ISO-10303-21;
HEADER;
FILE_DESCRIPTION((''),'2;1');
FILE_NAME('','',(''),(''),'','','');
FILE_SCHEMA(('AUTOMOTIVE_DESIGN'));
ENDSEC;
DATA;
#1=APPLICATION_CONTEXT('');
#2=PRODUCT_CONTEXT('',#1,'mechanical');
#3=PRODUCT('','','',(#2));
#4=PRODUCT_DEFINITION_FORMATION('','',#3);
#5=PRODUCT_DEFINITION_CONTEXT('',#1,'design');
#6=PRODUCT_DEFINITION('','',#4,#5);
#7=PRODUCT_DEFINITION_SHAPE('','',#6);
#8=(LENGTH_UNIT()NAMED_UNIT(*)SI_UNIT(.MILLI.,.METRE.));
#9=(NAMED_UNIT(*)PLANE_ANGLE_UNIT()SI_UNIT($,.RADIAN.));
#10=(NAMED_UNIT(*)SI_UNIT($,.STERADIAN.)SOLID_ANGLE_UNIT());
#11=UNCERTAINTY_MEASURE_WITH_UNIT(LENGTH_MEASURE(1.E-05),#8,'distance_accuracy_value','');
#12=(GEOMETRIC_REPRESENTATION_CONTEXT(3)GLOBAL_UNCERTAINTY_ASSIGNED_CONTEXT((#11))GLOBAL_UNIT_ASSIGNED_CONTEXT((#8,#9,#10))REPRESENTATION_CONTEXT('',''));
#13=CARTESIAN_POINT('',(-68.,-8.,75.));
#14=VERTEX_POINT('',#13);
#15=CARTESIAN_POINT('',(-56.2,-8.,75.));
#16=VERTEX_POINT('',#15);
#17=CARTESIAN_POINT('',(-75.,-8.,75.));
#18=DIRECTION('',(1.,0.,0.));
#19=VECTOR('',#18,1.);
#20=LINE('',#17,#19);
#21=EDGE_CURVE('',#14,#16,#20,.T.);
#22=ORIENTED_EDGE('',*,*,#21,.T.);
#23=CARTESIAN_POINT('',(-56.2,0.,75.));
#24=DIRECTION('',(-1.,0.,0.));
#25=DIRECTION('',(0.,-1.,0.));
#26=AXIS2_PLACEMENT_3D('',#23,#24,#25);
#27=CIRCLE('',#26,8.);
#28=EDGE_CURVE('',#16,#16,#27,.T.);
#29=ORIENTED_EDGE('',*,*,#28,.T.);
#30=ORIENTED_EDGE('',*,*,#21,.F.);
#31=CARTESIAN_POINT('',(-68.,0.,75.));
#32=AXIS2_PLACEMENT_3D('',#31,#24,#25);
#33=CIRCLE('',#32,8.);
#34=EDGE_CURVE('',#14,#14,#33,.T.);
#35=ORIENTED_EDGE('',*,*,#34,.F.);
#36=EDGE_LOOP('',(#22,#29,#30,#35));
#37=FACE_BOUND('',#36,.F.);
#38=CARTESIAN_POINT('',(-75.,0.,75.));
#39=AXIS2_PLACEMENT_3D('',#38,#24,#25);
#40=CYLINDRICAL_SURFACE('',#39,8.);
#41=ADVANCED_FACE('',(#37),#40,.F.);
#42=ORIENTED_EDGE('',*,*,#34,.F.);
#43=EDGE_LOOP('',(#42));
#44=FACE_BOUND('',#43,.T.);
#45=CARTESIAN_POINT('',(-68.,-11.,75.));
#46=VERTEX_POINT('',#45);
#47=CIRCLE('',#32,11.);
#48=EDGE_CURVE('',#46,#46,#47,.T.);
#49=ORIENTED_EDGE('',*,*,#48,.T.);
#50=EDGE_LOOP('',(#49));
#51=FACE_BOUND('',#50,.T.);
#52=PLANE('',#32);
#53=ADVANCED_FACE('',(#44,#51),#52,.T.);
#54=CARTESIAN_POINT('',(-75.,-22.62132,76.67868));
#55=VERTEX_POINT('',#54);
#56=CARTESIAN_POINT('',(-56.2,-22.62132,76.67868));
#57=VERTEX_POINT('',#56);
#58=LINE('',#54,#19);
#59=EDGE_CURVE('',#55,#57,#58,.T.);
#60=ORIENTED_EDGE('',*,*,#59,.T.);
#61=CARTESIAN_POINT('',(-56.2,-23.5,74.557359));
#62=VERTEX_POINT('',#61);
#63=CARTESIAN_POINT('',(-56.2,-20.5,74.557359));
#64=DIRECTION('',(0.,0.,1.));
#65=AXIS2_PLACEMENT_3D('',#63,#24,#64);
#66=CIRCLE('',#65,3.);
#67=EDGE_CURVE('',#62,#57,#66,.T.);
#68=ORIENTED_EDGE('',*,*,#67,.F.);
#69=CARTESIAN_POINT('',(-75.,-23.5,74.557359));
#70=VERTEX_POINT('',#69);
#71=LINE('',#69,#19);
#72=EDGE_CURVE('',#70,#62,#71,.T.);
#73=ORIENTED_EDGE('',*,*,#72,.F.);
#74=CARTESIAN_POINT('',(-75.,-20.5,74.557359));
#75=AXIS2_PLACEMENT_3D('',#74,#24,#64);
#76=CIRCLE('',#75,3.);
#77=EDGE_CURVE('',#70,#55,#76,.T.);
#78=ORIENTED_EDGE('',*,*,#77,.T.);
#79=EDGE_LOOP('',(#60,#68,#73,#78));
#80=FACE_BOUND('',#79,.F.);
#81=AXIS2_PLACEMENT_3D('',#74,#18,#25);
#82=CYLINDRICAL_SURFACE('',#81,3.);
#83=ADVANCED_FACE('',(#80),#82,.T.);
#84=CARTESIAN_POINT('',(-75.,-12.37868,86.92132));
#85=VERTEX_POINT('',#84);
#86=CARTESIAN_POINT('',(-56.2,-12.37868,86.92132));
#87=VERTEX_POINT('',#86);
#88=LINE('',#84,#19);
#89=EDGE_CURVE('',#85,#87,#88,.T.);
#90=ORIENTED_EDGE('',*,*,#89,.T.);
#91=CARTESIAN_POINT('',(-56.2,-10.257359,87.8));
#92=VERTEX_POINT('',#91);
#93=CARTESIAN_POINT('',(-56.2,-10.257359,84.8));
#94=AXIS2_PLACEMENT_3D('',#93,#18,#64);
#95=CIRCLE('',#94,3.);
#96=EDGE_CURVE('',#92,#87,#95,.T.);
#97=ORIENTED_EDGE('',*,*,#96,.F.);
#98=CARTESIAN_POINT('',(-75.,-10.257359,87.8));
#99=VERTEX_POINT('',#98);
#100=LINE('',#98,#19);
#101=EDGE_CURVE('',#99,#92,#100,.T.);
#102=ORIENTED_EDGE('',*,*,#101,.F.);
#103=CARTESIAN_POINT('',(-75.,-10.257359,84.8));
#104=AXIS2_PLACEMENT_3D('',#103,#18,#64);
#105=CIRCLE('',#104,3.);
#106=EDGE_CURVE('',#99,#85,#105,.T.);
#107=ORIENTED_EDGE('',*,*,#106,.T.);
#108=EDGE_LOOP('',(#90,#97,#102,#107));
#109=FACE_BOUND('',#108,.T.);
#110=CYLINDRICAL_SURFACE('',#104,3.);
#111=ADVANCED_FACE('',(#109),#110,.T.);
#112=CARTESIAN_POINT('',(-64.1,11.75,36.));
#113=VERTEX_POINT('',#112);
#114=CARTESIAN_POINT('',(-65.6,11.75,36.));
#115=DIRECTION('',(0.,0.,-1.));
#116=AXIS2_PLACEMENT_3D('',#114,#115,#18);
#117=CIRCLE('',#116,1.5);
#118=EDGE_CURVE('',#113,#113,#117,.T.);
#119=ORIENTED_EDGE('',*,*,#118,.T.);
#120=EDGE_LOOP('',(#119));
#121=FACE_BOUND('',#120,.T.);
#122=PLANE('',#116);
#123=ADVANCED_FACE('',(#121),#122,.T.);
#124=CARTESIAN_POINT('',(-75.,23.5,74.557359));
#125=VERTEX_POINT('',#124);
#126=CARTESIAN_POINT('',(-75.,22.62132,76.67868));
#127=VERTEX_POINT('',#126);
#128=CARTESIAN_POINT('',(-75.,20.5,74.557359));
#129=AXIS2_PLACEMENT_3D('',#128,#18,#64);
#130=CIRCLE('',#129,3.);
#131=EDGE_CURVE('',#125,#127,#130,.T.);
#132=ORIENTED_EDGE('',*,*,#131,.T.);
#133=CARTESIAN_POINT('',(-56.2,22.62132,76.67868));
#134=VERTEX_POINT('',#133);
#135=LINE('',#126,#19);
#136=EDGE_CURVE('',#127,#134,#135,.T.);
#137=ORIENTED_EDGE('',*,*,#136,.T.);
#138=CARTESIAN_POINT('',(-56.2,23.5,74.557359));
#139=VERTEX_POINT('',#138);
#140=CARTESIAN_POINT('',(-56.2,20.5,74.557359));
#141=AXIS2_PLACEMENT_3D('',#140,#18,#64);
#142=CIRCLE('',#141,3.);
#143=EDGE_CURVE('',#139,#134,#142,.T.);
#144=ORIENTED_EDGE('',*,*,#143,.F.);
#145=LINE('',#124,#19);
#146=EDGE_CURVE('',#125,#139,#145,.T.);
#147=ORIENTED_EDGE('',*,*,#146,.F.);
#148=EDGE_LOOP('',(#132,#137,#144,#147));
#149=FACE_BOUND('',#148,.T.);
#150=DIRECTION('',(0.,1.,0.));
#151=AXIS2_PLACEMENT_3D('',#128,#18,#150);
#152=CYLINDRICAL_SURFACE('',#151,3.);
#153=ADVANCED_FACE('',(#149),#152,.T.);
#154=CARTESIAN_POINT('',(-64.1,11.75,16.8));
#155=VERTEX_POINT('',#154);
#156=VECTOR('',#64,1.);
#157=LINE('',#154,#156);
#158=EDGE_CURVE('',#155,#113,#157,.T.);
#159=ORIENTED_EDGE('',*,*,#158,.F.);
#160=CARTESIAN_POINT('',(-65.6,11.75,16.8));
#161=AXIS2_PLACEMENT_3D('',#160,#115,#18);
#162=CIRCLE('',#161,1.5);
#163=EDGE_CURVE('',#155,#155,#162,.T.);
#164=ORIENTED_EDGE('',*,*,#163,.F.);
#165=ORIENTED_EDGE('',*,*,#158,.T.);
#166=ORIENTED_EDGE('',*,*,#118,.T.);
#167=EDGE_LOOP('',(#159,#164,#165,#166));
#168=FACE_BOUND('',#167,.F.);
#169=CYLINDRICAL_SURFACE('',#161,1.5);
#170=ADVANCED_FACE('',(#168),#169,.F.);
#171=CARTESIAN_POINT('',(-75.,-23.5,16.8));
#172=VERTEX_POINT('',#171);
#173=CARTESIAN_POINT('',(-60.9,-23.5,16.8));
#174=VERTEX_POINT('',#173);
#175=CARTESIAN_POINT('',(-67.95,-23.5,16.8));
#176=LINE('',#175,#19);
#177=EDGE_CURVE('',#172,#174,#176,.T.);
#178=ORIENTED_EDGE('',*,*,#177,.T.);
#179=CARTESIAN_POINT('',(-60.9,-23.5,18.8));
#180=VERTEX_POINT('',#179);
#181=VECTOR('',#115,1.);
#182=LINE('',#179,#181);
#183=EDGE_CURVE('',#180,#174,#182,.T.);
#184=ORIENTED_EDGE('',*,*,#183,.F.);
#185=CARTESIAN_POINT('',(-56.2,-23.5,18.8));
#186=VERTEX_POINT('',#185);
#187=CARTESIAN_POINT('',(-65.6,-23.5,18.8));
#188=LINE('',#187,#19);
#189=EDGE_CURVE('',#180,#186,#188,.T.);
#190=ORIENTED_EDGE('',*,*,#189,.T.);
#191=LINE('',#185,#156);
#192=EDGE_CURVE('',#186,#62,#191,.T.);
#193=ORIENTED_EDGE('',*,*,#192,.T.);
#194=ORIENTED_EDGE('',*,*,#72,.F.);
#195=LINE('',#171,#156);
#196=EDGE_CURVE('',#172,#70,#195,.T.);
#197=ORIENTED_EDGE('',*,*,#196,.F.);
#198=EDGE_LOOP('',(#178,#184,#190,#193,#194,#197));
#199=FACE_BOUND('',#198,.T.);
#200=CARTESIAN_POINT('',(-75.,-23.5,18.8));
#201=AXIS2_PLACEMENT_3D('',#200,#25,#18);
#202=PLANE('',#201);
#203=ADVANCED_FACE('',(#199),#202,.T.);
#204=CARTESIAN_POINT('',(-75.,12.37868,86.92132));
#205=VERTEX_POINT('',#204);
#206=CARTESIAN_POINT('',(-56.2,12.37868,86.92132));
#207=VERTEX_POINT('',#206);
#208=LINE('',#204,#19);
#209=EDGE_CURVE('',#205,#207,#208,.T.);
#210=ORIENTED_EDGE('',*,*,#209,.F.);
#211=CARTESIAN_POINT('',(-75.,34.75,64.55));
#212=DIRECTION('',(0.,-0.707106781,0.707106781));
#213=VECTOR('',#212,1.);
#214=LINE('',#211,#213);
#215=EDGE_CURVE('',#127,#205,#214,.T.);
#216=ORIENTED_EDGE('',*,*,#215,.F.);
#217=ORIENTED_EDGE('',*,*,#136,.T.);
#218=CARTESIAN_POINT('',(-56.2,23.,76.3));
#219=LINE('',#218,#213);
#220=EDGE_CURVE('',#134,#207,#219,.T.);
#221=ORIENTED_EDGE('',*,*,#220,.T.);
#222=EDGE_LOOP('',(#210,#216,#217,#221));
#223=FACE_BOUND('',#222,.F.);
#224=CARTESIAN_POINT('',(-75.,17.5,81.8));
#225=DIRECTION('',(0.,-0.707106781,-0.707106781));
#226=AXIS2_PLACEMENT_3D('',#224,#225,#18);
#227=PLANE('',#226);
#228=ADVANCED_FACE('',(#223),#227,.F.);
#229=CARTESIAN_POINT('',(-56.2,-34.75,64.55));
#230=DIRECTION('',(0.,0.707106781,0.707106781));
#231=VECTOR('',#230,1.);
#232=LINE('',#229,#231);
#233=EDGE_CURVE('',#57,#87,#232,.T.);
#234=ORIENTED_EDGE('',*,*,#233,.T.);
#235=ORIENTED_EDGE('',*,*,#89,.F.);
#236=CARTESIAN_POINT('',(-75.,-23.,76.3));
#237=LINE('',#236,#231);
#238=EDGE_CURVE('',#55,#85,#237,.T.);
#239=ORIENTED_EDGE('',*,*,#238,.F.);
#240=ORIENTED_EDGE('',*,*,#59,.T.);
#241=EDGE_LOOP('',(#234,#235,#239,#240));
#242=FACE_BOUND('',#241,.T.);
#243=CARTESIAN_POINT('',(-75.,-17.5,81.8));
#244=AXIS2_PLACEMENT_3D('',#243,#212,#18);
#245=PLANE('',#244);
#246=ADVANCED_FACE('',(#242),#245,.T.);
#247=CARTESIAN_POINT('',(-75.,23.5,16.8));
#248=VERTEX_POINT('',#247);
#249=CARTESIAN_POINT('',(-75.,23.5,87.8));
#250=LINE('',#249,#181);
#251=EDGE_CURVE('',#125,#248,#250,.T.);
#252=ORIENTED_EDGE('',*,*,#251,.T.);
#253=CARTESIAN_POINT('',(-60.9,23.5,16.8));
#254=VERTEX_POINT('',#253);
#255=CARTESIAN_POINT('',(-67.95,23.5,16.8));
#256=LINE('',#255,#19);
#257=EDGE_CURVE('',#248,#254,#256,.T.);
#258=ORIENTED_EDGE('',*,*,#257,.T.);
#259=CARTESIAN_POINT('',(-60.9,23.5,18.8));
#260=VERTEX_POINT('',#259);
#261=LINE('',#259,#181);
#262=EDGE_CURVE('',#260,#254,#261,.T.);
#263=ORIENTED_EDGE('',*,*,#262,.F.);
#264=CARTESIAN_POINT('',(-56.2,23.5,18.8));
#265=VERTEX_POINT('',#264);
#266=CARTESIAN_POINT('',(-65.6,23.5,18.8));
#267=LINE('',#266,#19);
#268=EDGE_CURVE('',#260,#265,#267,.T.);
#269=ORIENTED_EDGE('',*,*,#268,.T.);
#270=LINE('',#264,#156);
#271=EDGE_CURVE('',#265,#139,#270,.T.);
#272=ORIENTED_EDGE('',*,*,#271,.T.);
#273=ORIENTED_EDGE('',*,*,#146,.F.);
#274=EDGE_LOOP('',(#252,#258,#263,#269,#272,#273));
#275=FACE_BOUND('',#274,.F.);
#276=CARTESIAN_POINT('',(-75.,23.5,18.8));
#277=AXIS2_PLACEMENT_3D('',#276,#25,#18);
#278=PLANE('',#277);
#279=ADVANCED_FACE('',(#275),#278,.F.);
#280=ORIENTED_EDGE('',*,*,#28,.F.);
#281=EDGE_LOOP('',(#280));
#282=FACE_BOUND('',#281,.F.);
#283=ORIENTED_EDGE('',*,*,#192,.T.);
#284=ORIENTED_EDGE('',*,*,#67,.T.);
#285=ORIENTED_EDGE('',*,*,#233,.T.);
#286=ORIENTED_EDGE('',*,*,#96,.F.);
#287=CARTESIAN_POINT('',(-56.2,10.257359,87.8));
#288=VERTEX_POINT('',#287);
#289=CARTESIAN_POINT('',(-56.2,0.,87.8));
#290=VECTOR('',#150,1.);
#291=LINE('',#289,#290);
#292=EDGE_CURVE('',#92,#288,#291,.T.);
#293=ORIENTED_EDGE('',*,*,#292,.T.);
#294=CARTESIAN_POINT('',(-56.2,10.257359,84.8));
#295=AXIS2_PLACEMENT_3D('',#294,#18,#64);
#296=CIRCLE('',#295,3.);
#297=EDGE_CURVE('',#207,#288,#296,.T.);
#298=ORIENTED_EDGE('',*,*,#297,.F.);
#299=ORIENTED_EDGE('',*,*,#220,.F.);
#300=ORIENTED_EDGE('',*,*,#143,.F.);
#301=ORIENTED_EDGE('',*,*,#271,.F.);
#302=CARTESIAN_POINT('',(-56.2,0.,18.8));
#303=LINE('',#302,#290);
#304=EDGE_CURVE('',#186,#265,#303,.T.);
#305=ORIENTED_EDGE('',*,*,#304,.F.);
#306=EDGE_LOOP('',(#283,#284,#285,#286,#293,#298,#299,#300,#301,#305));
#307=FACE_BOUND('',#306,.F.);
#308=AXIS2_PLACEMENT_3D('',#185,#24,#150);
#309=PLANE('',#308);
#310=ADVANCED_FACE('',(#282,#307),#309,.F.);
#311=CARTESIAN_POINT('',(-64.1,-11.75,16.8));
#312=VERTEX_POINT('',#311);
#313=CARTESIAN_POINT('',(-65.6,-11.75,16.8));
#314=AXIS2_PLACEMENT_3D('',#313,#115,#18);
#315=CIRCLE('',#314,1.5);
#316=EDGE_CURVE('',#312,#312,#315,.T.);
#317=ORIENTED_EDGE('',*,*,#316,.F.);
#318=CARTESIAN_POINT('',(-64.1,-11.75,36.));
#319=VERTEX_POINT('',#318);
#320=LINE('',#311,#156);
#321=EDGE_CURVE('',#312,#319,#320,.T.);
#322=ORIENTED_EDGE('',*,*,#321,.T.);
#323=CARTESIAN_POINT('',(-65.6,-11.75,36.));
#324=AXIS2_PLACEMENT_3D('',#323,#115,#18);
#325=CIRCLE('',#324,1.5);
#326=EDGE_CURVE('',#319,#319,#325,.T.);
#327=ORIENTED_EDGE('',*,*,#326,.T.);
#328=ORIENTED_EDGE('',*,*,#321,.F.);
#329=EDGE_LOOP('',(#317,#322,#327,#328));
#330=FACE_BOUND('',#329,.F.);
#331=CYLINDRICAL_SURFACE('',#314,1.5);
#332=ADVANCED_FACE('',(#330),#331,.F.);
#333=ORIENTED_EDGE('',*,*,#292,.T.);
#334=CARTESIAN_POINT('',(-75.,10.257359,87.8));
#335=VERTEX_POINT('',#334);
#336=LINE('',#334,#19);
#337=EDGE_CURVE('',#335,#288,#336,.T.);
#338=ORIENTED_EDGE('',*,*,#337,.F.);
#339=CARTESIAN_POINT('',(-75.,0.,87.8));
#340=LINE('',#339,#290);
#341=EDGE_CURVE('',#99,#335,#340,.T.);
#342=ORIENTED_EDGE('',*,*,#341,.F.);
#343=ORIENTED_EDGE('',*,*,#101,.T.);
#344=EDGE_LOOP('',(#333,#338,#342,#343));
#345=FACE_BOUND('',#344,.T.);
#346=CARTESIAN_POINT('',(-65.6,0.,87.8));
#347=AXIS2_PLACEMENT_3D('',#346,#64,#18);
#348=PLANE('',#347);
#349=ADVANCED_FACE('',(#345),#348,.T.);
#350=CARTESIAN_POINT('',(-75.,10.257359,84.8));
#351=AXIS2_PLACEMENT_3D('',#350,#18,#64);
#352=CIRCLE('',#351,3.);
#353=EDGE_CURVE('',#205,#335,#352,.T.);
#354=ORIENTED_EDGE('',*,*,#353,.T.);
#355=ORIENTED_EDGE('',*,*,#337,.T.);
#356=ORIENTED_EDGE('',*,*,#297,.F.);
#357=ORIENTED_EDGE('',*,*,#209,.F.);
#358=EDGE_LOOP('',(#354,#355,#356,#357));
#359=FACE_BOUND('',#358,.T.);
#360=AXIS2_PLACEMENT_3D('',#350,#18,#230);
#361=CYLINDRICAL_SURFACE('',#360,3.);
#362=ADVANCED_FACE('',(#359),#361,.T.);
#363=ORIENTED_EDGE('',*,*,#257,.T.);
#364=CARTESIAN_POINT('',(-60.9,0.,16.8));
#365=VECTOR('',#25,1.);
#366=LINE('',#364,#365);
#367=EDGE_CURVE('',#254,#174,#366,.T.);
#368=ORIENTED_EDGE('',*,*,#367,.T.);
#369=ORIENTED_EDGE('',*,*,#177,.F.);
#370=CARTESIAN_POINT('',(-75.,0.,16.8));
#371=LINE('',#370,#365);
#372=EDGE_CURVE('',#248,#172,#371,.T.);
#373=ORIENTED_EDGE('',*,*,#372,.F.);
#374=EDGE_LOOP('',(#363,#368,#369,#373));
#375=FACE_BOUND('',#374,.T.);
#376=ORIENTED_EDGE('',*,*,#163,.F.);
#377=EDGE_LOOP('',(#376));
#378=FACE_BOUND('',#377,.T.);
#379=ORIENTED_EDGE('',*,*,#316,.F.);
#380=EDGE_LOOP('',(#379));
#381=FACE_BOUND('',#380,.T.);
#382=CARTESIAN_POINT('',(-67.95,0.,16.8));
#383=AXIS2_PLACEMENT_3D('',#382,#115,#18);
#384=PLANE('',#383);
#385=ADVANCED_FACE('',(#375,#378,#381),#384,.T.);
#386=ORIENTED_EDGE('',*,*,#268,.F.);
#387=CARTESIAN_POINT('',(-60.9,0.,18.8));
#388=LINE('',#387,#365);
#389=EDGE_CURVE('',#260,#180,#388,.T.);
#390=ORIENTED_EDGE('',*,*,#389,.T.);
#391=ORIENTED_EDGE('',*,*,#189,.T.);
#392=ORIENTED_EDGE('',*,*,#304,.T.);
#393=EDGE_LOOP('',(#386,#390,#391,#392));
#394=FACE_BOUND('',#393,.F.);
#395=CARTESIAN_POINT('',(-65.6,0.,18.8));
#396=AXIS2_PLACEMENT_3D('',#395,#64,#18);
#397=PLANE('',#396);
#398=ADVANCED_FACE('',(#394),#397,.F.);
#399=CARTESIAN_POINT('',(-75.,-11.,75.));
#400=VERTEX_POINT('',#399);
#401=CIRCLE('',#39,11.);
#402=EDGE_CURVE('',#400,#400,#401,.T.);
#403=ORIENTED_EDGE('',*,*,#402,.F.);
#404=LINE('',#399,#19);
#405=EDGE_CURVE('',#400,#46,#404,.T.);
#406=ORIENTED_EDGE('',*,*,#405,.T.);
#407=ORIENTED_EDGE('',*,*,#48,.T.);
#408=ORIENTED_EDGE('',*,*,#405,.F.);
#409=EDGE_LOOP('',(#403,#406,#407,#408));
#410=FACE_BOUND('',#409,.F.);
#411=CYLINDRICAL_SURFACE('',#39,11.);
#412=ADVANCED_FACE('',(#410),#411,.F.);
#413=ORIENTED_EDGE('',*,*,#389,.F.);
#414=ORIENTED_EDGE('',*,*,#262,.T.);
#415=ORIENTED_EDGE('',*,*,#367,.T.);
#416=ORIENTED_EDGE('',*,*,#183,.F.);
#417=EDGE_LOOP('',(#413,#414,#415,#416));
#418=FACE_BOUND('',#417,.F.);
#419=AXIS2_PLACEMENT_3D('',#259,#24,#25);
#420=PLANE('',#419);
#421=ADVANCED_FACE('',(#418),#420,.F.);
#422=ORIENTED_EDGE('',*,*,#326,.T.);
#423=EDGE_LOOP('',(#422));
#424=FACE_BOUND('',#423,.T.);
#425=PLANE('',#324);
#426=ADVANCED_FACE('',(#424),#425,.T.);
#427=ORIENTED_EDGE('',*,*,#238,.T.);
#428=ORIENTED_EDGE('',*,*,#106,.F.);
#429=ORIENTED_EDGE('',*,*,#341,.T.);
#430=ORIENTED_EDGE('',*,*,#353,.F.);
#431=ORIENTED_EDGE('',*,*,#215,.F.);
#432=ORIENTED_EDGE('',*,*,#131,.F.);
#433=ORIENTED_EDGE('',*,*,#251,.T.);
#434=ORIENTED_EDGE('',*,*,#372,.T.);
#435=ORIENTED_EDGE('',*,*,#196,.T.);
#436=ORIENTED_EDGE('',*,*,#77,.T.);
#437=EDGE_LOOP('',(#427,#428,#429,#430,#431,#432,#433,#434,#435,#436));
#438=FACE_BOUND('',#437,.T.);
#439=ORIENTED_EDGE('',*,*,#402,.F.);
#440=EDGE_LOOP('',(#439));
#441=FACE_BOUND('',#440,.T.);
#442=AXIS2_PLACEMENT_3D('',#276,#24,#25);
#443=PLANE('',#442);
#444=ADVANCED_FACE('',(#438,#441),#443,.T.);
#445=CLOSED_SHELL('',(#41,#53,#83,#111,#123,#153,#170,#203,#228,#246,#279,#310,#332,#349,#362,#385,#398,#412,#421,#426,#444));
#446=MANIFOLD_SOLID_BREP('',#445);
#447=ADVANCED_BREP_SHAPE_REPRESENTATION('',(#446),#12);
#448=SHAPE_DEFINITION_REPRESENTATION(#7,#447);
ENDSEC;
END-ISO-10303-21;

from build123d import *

# Parameters (mm, degrees)
SKETCH012_W     = 18.8
SKETCH012_H     = 47
PAD008_DEPTH    = 69
SKETCH036_W     = 14.1
SKETCH036_H     = 47
PAD016_DEPTH    = 2
SKETCH054_R     = 8
POCKET021_DEPTH = 18.801
SKETCH055_R     = 11
POCKET022_DEPTH = 7
CHAMFER001_SIZE = 12
SKETCH073_R     = 1.5
POCKET028_DEPTH = 19.2
FILLET003_R     = 3


with BuildPart() as part:
    # Sketch012 (on Face1 of ReferencePad001) → Pad008 (new body)
    with BuildSketch(Plane.XY.offset(18.8)):
        with Locations((-65.6, 0)):
            Rectangle(SKETCH012_W, SKETCH012_H)
    extrude(amount=PAD008_DEPTH)

    # Sketch036 (on Face5 of Pad008) → Pad016 (join)
    with BuildSketch(Plane(origin=(0, 0, 18.8), x_dir=(1, 0, 0), z_dir=(0, 0, -1))):
        with Locations((-67.95, 0)):
            Rectangle(SKETCH036_W, SKETCH036_H)
    extrude(amount=PAD016_DEPTH)

    # Sketch054 (on Face5 of Pad016) → Pocket021 (cut, through all)
    with BuildSketch(Plane(origin=(-75, 0, 18.8), x_dir=(0, -1, 0), z_dir=(-1, 0, 0))):
        with Locations((0, 56.2)):
            Circle(SKETCH054_R)
    extrude(amount=-POCKET021_DEPTH, mode=Mode.SUBTRACT)

    # Sketch055 (on Face5 of Pocket021) → Pocket022 (cut)
    with BuildSketch(Plane(origin=(-75, 0, 18.8), x_dir=(0, -1, 0), z_dir=(-1, 0, 0))):
        with Locations((0, 56.2)):
            Circle(SKETCH055_R)
    extrude(amount=-POCKET022_DEPTH, mode=Mode.SUBTRACT)

    # Chamfer001
    chamfer001_edges = [part.edges().sort_by_distance(p)[0] for p in [
        (-65.6, -23.5, 87.8),
        (-65.6, 23.5, 87.8),
    ]]
    chamfer(chamfer001_edges, length=CHAMFER001_SIZE)

    # Sketch073 (on Face16 of Chamfer001) → Pocket028 (cut)
    with BuildSketch(Plane(origin=(0, 0, 16.8), x_dir=(1, 0, 0), z_dir=(0, 0, -1))):
        with Locations((-65.6, 11.75)):
            Circle(SKETCH073_R)
        with Locations((-65.6, -11.75)):
            Circle(SKETCH073_R)
    extrude(amount=-POCKET028_DEPTH, mode=Mode.SUBTRACT)

    # Fillet003
    fillet003_edges = [part.edges().sort_by_distance(p)[0] for p in [
        (-65.6, 23.5, 75.8),
        (-65.6, 11.5, 87.8),
        (-65.6, -11.5, 87.8),
        (-65.6, -23.5, 75.8),
    ]]
    fillet(fillet003_edges, radius=FILLET003_R)


solid = part.part
